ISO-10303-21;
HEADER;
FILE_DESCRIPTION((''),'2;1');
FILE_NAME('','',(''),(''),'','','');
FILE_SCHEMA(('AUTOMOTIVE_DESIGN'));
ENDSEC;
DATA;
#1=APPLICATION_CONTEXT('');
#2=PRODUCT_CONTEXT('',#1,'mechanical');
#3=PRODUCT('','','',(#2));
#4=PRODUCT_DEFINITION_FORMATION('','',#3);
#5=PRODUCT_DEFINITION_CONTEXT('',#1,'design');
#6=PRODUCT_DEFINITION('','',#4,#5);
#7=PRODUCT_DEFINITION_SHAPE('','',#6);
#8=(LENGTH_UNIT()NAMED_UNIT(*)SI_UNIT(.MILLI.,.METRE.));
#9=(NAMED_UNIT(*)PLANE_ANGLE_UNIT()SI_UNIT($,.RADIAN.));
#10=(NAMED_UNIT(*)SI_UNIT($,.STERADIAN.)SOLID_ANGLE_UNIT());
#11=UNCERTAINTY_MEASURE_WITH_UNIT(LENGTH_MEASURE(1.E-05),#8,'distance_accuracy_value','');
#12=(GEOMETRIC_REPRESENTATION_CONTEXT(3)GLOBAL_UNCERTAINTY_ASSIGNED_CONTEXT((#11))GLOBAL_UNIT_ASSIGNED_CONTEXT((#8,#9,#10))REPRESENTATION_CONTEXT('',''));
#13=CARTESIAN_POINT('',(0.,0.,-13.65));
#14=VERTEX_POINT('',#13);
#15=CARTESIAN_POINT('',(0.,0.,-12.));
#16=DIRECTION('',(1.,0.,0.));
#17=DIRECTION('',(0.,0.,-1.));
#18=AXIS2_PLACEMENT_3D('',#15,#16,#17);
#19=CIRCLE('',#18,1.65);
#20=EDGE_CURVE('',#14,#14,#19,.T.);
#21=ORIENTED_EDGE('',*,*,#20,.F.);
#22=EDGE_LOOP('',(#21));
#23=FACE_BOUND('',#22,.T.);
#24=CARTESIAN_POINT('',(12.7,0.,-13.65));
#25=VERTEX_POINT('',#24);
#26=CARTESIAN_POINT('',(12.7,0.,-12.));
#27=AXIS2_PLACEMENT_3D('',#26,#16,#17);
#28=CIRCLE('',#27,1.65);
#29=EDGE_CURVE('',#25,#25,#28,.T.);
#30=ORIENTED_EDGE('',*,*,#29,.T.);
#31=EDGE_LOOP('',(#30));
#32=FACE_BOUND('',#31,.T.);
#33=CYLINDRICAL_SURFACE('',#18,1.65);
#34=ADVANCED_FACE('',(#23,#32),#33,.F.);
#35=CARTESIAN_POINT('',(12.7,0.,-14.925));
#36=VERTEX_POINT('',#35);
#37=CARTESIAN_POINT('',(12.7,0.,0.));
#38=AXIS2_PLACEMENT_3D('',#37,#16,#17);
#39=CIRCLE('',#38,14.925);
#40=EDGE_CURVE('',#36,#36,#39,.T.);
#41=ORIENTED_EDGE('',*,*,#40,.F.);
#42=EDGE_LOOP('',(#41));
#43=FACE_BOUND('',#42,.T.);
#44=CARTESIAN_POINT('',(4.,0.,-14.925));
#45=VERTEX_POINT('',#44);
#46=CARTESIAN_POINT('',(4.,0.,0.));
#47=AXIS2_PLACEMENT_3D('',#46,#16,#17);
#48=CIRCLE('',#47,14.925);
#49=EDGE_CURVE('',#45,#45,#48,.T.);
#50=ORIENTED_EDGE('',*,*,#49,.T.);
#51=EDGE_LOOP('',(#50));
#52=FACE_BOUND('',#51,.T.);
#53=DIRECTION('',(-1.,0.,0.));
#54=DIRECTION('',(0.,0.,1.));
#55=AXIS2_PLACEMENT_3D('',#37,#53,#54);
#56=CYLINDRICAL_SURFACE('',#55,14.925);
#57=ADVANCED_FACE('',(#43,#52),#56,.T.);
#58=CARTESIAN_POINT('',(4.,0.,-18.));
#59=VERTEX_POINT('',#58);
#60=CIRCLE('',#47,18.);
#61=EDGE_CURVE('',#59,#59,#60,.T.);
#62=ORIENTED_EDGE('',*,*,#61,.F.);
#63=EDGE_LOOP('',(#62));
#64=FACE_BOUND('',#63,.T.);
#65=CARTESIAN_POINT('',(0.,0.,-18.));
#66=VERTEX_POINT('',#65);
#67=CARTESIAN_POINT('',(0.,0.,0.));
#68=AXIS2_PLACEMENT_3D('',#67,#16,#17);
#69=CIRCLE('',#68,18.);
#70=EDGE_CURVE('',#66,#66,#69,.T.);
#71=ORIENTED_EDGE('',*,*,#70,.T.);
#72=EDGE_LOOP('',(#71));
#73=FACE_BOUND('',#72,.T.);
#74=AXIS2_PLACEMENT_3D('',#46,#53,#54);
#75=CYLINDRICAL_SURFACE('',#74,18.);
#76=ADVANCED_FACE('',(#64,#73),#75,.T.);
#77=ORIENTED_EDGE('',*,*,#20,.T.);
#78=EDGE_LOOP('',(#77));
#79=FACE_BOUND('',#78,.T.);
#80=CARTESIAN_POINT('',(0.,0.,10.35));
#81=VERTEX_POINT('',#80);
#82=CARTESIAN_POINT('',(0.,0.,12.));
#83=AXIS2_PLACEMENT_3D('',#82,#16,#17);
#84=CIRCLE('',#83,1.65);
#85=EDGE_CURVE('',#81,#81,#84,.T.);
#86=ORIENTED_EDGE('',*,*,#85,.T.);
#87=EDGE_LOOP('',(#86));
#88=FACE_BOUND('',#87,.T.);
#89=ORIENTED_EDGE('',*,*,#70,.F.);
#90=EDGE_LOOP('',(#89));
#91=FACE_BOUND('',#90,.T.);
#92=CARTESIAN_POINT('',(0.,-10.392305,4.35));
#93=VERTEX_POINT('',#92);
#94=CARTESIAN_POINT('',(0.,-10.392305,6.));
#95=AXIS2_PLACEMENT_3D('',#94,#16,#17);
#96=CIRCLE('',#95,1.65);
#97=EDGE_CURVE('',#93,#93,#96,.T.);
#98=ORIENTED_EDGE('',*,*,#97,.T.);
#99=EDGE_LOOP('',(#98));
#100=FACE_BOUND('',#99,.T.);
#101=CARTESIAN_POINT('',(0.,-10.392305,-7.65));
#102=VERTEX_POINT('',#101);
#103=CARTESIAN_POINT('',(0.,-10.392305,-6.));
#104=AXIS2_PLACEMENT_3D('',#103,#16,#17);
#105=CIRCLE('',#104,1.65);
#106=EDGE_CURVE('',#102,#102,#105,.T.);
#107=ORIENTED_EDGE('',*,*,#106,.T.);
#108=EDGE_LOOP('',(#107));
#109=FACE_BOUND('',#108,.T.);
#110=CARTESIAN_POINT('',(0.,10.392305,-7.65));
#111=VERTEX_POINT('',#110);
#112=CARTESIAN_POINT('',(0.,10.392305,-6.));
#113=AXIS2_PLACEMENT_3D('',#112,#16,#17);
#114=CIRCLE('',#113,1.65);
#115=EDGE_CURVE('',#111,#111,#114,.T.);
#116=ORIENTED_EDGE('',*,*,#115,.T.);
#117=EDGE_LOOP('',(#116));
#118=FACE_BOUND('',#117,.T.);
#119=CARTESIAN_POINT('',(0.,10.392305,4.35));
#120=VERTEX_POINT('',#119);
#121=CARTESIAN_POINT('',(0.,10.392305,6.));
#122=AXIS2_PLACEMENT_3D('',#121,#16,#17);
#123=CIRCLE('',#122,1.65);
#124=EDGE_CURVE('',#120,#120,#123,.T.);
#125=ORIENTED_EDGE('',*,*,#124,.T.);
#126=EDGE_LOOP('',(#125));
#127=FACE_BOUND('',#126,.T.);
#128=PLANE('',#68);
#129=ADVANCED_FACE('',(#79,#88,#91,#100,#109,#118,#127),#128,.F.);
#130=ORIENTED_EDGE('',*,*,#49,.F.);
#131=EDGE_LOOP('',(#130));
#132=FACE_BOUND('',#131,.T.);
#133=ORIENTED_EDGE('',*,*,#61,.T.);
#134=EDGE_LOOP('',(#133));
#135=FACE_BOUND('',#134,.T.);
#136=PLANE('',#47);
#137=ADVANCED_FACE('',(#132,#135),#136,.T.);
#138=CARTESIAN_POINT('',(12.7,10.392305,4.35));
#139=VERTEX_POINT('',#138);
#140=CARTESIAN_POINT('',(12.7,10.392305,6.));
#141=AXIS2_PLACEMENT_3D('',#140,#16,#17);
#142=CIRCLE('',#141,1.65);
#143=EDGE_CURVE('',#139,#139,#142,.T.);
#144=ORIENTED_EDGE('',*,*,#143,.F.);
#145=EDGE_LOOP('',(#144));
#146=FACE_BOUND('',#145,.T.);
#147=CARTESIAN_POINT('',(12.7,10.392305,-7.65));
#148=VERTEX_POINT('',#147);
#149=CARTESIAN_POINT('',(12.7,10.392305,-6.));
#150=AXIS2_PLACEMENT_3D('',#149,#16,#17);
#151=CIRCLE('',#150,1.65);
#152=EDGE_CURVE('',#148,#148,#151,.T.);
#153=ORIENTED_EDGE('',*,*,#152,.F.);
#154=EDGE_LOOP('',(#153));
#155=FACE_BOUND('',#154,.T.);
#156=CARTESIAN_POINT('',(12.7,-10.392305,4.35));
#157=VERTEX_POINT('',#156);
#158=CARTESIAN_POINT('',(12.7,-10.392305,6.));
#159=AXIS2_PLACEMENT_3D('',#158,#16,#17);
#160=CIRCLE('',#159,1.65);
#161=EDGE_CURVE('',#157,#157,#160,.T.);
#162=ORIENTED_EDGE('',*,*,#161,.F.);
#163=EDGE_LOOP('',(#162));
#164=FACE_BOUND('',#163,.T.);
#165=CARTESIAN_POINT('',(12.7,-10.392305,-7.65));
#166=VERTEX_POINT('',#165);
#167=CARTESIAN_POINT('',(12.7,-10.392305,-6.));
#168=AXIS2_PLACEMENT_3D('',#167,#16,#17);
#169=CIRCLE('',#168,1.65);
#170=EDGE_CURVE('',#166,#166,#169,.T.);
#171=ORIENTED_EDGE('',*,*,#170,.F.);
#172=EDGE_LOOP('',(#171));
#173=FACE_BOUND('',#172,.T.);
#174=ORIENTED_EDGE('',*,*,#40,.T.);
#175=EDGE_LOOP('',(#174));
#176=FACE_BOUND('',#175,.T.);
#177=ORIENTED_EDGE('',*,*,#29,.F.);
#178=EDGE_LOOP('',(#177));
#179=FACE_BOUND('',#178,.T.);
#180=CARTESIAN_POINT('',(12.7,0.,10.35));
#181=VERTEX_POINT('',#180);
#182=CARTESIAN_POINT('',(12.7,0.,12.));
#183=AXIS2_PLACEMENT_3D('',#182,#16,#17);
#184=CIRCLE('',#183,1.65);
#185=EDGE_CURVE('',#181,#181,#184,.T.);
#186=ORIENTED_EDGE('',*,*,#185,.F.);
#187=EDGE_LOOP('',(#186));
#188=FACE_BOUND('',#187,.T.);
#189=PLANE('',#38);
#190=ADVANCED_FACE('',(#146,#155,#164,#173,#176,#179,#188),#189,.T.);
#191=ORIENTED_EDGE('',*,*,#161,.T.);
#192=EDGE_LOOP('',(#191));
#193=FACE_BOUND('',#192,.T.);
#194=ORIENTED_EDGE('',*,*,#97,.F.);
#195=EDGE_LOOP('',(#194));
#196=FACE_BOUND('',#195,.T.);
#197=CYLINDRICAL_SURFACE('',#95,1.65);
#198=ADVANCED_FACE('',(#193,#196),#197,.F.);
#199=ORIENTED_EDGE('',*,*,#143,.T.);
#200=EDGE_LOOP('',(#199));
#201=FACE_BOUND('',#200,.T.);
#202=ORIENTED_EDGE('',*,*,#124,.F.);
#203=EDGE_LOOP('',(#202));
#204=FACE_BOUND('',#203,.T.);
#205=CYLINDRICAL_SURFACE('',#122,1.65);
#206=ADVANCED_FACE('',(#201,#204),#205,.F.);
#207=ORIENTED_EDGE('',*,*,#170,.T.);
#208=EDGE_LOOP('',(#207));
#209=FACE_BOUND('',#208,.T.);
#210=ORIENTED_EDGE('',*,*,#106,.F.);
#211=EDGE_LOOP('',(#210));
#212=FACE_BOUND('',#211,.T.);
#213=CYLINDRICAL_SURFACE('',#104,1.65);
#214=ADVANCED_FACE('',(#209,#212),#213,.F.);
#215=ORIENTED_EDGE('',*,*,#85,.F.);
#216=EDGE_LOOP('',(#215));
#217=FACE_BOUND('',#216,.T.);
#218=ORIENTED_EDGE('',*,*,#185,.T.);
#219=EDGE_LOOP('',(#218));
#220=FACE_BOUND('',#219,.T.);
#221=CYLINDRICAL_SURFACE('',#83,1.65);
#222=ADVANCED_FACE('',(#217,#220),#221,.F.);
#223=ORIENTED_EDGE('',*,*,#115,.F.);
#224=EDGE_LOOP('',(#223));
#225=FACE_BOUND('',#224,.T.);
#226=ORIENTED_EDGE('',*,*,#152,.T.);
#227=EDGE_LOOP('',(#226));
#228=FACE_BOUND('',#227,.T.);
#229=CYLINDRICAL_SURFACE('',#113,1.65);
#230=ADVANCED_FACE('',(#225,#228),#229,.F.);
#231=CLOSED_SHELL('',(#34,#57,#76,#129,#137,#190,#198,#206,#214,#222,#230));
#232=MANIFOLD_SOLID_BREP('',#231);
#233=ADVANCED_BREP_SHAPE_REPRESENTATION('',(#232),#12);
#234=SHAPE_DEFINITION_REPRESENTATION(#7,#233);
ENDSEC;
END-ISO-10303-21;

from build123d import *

# Parameters (mm, degrees)
SKETCH1_R           = 18
BOSS_EXTRUDE1_DEPTH = 4
SKETCH2_R           = 14.925
BOSS_EXTRUDE2_DEPTH = 8.7
SKETCH3_R           = 1.65
CUT_EXTRUDE1_DEPTH  = 29.448022778


with BuildPart() as part:
    # Sketch1 → Boss-Extrude1 (new body)
    with BuildSketch(Plane.YZ):
        with Locations(Location((0, 0, 0), (0, 0, 270))):
            Circle(SKETCH1_R)
    extrude(amount=BOSS_EXTRUDE1_DEPTH)

    # Sketch2 → Boss-Extrude2 (add)
    with BuildSketch(Plane.YZ.offset(4)):
        with Locations(Location((0, 0, 0), (0, 0, 270))):
            Circle(SKETCH2_R)
    extrude(amount=BOSS_EXTRUDE2_DEPTH)

    # Sketch3 → Cut-Extrude1 (cut, through all)
    with BuildSketch(Plane.YZ.offset(12.7)):
        with Locations(Location((0, 12, 0), (0, 0, 270))):
            Circle(SKETCH3_R)
        with Locations(Location((10.392304845, 6, 0), (0, 0, 270))):
            Circle(SKETCH3_R)
        with Locations(Location((10.392304845, -6, 0), (0, 0, 270))):
            Circle(SKETCH3_R)
        with Locations(Location((0, -12, 0), (0, 0, 270))):
            Circle(SKETCH3_R)
        with Locations(Location((-10.392304845, -6, 0), (0, 0, 270))):
            Circle(SKETCH3_R)
        with Locations(Location((-10.392304845, 6, 0), (0, 0, 270))):
            Circle(SKETCH3_R)
    extrude(amount=-CUT_EXTRUDE1_DEPTH, mode=Mode.SUBTRACT)


solid = part.part
